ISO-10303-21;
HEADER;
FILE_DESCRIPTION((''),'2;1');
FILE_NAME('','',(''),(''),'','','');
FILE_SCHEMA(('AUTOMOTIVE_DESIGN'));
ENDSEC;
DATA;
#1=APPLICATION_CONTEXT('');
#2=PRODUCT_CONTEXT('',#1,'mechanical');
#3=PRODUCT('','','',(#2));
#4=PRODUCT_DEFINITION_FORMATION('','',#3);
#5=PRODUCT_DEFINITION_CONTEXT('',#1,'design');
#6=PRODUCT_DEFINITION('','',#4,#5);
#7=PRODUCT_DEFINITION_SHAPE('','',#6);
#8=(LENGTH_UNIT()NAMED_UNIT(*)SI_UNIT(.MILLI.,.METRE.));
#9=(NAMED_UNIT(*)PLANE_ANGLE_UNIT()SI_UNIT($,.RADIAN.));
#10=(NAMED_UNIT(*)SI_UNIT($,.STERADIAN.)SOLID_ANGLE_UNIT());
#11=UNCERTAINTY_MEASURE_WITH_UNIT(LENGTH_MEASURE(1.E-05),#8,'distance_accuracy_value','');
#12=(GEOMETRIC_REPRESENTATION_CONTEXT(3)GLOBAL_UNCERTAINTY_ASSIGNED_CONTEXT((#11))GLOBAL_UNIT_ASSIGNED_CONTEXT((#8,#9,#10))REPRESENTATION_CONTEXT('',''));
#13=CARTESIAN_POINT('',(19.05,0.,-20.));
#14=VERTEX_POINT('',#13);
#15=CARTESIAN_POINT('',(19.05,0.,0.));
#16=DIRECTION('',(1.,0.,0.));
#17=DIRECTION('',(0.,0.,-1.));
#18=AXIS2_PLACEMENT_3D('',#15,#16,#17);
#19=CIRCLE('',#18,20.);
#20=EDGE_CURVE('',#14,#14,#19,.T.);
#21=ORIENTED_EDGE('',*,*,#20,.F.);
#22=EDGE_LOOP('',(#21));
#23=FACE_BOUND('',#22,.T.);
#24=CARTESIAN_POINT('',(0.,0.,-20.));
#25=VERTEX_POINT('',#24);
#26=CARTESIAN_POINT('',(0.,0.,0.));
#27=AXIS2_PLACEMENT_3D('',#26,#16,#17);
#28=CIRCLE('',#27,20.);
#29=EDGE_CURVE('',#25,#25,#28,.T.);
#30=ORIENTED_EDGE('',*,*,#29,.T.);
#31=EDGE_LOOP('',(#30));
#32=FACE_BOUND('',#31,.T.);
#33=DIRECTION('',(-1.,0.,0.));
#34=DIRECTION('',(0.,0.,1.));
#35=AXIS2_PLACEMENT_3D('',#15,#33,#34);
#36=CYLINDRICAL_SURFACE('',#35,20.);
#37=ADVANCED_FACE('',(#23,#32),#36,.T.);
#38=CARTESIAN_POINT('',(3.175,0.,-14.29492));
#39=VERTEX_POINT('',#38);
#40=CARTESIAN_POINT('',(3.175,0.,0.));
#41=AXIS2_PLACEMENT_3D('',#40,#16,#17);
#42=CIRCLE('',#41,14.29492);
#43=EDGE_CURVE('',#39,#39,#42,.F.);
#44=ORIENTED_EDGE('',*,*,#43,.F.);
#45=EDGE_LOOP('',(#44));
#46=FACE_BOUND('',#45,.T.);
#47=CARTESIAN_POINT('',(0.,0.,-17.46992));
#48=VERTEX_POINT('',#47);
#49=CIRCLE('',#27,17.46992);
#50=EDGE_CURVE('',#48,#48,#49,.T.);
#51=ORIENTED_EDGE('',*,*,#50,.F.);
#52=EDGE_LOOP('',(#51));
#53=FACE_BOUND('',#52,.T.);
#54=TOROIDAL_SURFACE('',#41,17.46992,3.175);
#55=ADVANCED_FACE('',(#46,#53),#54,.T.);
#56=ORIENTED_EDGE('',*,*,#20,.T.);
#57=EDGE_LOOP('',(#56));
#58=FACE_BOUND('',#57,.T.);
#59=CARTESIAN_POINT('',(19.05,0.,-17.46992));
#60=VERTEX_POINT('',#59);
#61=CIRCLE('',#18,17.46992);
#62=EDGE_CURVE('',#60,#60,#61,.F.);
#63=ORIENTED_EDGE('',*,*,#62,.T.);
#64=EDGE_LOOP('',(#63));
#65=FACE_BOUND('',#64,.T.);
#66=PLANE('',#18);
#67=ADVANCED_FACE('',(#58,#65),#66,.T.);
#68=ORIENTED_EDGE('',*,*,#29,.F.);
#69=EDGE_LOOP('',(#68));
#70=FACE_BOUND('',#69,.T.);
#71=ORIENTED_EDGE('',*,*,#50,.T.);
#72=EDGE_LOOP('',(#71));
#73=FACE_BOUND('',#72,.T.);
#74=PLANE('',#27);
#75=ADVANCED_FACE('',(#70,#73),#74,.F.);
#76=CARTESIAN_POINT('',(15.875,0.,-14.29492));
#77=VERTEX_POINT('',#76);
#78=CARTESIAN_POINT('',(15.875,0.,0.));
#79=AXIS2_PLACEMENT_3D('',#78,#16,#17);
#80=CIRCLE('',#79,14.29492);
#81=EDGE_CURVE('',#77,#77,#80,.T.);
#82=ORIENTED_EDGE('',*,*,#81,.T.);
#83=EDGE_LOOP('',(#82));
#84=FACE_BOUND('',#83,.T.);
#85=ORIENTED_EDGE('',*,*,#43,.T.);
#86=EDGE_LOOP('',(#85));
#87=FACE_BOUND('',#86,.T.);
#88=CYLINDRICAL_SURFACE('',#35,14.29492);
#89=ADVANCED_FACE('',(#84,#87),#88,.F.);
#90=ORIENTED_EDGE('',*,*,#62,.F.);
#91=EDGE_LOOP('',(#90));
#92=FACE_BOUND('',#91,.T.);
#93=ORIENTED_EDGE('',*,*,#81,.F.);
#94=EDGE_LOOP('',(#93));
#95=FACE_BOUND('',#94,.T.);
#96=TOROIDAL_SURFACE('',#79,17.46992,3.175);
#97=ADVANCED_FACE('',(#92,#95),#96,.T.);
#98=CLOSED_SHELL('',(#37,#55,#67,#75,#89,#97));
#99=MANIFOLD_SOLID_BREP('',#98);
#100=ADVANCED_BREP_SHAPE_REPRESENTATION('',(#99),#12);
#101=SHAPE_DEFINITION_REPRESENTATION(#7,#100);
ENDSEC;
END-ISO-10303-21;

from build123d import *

# Parameters (mm, degrees)
SKETCH1_R           = 20
SKETCH1_R_2         = 14.294919975
BOSS_EXTRUDE1_DEPTH = 19.05
FILLET1_R           = 3.175


with BuildPart() as part:
    # Sketch1 → Boss-Extrude1 (new body)
    with BuildSketch(Plane(origin=(0, 0, 0), x_dir=(0, 0, -1), z_dir=(1, 0, 0))):
        Circle(SKETCH1_R)
        Circle(SKETCH1_R_2, mode=Mode.SUBTRACT)
    extrude(amount=BOSS_EXTRUDE1_DEPTH)

    # Fillet1
    fillet1_edges = [part.edges().sort_by_distance(p)[0] for p in [
        (0, 0, 14.294919975),
        (19.05, 0, 14.294919975),
    ]]
    fillet(fillet1_edges, radius=FILLET1_R)


solid = part.part
